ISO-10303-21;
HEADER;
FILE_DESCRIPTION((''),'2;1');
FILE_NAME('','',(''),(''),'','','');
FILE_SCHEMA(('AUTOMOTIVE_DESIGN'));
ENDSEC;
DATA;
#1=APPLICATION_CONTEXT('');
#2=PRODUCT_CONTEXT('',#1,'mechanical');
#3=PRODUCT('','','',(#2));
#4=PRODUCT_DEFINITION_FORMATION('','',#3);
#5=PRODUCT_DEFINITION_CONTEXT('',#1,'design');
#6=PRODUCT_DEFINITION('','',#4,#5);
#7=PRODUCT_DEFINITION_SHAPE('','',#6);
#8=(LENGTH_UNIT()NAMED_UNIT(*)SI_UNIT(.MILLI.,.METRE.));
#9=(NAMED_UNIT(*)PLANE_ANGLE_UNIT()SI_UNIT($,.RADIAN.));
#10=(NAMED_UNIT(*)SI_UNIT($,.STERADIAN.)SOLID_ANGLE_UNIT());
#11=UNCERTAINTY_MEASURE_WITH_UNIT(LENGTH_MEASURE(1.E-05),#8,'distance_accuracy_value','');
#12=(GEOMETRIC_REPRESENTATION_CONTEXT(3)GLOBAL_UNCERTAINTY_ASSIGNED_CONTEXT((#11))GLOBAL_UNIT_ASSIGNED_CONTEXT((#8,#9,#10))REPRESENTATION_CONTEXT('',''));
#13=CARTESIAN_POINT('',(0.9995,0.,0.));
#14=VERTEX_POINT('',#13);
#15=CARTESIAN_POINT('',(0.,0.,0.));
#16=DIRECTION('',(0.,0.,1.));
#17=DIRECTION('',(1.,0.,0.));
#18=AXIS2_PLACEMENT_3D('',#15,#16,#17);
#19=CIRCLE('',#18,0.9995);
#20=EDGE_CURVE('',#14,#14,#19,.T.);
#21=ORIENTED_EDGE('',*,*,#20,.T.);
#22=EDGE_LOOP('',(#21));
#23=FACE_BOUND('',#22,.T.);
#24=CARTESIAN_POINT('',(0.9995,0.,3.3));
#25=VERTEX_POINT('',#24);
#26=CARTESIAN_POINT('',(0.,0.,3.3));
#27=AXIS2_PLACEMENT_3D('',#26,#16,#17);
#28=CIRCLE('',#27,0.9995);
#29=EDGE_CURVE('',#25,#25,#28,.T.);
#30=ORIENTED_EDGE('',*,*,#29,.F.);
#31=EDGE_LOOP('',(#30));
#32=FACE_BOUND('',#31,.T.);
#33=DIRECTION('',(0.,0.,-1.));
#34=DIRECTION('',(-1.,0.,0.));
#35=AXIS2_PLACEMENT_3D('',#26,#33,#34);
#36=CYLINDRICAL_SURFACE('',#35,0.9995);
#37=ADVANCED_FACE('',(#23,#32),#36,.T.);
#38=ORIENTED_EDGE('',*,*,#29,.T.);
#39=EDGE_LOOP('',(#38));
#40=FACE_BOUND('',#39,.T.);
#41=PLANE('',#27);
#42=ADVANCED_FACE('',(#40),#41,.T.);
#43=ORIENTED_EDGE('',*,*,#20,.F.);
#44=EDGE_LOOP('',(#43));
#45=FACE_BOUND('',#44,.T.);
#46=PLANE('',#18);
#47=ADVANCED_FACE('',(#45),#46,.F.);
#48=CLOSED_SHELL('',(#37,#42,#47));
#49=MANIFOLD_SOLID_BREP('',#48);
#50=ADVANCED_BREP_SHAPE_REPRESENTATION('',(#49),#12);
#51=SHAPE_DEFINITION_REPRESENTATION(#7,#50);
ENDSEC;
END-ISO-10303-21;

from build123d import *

# Parameters (mm, degrees)
SKETCH1_R           = 0.9995
BOSS_EXTRUDE1_DEPTH = 3.3


with BuildPart() as part:
    # Sketch1 → Boss-Extrude1 (new body)
    with BuildSketch(Plane.XY):
        Circle(SKETCH1_R)
    extrude(amount=BOSS_EXTRUDE1_DEPTH)


solid = part.part
